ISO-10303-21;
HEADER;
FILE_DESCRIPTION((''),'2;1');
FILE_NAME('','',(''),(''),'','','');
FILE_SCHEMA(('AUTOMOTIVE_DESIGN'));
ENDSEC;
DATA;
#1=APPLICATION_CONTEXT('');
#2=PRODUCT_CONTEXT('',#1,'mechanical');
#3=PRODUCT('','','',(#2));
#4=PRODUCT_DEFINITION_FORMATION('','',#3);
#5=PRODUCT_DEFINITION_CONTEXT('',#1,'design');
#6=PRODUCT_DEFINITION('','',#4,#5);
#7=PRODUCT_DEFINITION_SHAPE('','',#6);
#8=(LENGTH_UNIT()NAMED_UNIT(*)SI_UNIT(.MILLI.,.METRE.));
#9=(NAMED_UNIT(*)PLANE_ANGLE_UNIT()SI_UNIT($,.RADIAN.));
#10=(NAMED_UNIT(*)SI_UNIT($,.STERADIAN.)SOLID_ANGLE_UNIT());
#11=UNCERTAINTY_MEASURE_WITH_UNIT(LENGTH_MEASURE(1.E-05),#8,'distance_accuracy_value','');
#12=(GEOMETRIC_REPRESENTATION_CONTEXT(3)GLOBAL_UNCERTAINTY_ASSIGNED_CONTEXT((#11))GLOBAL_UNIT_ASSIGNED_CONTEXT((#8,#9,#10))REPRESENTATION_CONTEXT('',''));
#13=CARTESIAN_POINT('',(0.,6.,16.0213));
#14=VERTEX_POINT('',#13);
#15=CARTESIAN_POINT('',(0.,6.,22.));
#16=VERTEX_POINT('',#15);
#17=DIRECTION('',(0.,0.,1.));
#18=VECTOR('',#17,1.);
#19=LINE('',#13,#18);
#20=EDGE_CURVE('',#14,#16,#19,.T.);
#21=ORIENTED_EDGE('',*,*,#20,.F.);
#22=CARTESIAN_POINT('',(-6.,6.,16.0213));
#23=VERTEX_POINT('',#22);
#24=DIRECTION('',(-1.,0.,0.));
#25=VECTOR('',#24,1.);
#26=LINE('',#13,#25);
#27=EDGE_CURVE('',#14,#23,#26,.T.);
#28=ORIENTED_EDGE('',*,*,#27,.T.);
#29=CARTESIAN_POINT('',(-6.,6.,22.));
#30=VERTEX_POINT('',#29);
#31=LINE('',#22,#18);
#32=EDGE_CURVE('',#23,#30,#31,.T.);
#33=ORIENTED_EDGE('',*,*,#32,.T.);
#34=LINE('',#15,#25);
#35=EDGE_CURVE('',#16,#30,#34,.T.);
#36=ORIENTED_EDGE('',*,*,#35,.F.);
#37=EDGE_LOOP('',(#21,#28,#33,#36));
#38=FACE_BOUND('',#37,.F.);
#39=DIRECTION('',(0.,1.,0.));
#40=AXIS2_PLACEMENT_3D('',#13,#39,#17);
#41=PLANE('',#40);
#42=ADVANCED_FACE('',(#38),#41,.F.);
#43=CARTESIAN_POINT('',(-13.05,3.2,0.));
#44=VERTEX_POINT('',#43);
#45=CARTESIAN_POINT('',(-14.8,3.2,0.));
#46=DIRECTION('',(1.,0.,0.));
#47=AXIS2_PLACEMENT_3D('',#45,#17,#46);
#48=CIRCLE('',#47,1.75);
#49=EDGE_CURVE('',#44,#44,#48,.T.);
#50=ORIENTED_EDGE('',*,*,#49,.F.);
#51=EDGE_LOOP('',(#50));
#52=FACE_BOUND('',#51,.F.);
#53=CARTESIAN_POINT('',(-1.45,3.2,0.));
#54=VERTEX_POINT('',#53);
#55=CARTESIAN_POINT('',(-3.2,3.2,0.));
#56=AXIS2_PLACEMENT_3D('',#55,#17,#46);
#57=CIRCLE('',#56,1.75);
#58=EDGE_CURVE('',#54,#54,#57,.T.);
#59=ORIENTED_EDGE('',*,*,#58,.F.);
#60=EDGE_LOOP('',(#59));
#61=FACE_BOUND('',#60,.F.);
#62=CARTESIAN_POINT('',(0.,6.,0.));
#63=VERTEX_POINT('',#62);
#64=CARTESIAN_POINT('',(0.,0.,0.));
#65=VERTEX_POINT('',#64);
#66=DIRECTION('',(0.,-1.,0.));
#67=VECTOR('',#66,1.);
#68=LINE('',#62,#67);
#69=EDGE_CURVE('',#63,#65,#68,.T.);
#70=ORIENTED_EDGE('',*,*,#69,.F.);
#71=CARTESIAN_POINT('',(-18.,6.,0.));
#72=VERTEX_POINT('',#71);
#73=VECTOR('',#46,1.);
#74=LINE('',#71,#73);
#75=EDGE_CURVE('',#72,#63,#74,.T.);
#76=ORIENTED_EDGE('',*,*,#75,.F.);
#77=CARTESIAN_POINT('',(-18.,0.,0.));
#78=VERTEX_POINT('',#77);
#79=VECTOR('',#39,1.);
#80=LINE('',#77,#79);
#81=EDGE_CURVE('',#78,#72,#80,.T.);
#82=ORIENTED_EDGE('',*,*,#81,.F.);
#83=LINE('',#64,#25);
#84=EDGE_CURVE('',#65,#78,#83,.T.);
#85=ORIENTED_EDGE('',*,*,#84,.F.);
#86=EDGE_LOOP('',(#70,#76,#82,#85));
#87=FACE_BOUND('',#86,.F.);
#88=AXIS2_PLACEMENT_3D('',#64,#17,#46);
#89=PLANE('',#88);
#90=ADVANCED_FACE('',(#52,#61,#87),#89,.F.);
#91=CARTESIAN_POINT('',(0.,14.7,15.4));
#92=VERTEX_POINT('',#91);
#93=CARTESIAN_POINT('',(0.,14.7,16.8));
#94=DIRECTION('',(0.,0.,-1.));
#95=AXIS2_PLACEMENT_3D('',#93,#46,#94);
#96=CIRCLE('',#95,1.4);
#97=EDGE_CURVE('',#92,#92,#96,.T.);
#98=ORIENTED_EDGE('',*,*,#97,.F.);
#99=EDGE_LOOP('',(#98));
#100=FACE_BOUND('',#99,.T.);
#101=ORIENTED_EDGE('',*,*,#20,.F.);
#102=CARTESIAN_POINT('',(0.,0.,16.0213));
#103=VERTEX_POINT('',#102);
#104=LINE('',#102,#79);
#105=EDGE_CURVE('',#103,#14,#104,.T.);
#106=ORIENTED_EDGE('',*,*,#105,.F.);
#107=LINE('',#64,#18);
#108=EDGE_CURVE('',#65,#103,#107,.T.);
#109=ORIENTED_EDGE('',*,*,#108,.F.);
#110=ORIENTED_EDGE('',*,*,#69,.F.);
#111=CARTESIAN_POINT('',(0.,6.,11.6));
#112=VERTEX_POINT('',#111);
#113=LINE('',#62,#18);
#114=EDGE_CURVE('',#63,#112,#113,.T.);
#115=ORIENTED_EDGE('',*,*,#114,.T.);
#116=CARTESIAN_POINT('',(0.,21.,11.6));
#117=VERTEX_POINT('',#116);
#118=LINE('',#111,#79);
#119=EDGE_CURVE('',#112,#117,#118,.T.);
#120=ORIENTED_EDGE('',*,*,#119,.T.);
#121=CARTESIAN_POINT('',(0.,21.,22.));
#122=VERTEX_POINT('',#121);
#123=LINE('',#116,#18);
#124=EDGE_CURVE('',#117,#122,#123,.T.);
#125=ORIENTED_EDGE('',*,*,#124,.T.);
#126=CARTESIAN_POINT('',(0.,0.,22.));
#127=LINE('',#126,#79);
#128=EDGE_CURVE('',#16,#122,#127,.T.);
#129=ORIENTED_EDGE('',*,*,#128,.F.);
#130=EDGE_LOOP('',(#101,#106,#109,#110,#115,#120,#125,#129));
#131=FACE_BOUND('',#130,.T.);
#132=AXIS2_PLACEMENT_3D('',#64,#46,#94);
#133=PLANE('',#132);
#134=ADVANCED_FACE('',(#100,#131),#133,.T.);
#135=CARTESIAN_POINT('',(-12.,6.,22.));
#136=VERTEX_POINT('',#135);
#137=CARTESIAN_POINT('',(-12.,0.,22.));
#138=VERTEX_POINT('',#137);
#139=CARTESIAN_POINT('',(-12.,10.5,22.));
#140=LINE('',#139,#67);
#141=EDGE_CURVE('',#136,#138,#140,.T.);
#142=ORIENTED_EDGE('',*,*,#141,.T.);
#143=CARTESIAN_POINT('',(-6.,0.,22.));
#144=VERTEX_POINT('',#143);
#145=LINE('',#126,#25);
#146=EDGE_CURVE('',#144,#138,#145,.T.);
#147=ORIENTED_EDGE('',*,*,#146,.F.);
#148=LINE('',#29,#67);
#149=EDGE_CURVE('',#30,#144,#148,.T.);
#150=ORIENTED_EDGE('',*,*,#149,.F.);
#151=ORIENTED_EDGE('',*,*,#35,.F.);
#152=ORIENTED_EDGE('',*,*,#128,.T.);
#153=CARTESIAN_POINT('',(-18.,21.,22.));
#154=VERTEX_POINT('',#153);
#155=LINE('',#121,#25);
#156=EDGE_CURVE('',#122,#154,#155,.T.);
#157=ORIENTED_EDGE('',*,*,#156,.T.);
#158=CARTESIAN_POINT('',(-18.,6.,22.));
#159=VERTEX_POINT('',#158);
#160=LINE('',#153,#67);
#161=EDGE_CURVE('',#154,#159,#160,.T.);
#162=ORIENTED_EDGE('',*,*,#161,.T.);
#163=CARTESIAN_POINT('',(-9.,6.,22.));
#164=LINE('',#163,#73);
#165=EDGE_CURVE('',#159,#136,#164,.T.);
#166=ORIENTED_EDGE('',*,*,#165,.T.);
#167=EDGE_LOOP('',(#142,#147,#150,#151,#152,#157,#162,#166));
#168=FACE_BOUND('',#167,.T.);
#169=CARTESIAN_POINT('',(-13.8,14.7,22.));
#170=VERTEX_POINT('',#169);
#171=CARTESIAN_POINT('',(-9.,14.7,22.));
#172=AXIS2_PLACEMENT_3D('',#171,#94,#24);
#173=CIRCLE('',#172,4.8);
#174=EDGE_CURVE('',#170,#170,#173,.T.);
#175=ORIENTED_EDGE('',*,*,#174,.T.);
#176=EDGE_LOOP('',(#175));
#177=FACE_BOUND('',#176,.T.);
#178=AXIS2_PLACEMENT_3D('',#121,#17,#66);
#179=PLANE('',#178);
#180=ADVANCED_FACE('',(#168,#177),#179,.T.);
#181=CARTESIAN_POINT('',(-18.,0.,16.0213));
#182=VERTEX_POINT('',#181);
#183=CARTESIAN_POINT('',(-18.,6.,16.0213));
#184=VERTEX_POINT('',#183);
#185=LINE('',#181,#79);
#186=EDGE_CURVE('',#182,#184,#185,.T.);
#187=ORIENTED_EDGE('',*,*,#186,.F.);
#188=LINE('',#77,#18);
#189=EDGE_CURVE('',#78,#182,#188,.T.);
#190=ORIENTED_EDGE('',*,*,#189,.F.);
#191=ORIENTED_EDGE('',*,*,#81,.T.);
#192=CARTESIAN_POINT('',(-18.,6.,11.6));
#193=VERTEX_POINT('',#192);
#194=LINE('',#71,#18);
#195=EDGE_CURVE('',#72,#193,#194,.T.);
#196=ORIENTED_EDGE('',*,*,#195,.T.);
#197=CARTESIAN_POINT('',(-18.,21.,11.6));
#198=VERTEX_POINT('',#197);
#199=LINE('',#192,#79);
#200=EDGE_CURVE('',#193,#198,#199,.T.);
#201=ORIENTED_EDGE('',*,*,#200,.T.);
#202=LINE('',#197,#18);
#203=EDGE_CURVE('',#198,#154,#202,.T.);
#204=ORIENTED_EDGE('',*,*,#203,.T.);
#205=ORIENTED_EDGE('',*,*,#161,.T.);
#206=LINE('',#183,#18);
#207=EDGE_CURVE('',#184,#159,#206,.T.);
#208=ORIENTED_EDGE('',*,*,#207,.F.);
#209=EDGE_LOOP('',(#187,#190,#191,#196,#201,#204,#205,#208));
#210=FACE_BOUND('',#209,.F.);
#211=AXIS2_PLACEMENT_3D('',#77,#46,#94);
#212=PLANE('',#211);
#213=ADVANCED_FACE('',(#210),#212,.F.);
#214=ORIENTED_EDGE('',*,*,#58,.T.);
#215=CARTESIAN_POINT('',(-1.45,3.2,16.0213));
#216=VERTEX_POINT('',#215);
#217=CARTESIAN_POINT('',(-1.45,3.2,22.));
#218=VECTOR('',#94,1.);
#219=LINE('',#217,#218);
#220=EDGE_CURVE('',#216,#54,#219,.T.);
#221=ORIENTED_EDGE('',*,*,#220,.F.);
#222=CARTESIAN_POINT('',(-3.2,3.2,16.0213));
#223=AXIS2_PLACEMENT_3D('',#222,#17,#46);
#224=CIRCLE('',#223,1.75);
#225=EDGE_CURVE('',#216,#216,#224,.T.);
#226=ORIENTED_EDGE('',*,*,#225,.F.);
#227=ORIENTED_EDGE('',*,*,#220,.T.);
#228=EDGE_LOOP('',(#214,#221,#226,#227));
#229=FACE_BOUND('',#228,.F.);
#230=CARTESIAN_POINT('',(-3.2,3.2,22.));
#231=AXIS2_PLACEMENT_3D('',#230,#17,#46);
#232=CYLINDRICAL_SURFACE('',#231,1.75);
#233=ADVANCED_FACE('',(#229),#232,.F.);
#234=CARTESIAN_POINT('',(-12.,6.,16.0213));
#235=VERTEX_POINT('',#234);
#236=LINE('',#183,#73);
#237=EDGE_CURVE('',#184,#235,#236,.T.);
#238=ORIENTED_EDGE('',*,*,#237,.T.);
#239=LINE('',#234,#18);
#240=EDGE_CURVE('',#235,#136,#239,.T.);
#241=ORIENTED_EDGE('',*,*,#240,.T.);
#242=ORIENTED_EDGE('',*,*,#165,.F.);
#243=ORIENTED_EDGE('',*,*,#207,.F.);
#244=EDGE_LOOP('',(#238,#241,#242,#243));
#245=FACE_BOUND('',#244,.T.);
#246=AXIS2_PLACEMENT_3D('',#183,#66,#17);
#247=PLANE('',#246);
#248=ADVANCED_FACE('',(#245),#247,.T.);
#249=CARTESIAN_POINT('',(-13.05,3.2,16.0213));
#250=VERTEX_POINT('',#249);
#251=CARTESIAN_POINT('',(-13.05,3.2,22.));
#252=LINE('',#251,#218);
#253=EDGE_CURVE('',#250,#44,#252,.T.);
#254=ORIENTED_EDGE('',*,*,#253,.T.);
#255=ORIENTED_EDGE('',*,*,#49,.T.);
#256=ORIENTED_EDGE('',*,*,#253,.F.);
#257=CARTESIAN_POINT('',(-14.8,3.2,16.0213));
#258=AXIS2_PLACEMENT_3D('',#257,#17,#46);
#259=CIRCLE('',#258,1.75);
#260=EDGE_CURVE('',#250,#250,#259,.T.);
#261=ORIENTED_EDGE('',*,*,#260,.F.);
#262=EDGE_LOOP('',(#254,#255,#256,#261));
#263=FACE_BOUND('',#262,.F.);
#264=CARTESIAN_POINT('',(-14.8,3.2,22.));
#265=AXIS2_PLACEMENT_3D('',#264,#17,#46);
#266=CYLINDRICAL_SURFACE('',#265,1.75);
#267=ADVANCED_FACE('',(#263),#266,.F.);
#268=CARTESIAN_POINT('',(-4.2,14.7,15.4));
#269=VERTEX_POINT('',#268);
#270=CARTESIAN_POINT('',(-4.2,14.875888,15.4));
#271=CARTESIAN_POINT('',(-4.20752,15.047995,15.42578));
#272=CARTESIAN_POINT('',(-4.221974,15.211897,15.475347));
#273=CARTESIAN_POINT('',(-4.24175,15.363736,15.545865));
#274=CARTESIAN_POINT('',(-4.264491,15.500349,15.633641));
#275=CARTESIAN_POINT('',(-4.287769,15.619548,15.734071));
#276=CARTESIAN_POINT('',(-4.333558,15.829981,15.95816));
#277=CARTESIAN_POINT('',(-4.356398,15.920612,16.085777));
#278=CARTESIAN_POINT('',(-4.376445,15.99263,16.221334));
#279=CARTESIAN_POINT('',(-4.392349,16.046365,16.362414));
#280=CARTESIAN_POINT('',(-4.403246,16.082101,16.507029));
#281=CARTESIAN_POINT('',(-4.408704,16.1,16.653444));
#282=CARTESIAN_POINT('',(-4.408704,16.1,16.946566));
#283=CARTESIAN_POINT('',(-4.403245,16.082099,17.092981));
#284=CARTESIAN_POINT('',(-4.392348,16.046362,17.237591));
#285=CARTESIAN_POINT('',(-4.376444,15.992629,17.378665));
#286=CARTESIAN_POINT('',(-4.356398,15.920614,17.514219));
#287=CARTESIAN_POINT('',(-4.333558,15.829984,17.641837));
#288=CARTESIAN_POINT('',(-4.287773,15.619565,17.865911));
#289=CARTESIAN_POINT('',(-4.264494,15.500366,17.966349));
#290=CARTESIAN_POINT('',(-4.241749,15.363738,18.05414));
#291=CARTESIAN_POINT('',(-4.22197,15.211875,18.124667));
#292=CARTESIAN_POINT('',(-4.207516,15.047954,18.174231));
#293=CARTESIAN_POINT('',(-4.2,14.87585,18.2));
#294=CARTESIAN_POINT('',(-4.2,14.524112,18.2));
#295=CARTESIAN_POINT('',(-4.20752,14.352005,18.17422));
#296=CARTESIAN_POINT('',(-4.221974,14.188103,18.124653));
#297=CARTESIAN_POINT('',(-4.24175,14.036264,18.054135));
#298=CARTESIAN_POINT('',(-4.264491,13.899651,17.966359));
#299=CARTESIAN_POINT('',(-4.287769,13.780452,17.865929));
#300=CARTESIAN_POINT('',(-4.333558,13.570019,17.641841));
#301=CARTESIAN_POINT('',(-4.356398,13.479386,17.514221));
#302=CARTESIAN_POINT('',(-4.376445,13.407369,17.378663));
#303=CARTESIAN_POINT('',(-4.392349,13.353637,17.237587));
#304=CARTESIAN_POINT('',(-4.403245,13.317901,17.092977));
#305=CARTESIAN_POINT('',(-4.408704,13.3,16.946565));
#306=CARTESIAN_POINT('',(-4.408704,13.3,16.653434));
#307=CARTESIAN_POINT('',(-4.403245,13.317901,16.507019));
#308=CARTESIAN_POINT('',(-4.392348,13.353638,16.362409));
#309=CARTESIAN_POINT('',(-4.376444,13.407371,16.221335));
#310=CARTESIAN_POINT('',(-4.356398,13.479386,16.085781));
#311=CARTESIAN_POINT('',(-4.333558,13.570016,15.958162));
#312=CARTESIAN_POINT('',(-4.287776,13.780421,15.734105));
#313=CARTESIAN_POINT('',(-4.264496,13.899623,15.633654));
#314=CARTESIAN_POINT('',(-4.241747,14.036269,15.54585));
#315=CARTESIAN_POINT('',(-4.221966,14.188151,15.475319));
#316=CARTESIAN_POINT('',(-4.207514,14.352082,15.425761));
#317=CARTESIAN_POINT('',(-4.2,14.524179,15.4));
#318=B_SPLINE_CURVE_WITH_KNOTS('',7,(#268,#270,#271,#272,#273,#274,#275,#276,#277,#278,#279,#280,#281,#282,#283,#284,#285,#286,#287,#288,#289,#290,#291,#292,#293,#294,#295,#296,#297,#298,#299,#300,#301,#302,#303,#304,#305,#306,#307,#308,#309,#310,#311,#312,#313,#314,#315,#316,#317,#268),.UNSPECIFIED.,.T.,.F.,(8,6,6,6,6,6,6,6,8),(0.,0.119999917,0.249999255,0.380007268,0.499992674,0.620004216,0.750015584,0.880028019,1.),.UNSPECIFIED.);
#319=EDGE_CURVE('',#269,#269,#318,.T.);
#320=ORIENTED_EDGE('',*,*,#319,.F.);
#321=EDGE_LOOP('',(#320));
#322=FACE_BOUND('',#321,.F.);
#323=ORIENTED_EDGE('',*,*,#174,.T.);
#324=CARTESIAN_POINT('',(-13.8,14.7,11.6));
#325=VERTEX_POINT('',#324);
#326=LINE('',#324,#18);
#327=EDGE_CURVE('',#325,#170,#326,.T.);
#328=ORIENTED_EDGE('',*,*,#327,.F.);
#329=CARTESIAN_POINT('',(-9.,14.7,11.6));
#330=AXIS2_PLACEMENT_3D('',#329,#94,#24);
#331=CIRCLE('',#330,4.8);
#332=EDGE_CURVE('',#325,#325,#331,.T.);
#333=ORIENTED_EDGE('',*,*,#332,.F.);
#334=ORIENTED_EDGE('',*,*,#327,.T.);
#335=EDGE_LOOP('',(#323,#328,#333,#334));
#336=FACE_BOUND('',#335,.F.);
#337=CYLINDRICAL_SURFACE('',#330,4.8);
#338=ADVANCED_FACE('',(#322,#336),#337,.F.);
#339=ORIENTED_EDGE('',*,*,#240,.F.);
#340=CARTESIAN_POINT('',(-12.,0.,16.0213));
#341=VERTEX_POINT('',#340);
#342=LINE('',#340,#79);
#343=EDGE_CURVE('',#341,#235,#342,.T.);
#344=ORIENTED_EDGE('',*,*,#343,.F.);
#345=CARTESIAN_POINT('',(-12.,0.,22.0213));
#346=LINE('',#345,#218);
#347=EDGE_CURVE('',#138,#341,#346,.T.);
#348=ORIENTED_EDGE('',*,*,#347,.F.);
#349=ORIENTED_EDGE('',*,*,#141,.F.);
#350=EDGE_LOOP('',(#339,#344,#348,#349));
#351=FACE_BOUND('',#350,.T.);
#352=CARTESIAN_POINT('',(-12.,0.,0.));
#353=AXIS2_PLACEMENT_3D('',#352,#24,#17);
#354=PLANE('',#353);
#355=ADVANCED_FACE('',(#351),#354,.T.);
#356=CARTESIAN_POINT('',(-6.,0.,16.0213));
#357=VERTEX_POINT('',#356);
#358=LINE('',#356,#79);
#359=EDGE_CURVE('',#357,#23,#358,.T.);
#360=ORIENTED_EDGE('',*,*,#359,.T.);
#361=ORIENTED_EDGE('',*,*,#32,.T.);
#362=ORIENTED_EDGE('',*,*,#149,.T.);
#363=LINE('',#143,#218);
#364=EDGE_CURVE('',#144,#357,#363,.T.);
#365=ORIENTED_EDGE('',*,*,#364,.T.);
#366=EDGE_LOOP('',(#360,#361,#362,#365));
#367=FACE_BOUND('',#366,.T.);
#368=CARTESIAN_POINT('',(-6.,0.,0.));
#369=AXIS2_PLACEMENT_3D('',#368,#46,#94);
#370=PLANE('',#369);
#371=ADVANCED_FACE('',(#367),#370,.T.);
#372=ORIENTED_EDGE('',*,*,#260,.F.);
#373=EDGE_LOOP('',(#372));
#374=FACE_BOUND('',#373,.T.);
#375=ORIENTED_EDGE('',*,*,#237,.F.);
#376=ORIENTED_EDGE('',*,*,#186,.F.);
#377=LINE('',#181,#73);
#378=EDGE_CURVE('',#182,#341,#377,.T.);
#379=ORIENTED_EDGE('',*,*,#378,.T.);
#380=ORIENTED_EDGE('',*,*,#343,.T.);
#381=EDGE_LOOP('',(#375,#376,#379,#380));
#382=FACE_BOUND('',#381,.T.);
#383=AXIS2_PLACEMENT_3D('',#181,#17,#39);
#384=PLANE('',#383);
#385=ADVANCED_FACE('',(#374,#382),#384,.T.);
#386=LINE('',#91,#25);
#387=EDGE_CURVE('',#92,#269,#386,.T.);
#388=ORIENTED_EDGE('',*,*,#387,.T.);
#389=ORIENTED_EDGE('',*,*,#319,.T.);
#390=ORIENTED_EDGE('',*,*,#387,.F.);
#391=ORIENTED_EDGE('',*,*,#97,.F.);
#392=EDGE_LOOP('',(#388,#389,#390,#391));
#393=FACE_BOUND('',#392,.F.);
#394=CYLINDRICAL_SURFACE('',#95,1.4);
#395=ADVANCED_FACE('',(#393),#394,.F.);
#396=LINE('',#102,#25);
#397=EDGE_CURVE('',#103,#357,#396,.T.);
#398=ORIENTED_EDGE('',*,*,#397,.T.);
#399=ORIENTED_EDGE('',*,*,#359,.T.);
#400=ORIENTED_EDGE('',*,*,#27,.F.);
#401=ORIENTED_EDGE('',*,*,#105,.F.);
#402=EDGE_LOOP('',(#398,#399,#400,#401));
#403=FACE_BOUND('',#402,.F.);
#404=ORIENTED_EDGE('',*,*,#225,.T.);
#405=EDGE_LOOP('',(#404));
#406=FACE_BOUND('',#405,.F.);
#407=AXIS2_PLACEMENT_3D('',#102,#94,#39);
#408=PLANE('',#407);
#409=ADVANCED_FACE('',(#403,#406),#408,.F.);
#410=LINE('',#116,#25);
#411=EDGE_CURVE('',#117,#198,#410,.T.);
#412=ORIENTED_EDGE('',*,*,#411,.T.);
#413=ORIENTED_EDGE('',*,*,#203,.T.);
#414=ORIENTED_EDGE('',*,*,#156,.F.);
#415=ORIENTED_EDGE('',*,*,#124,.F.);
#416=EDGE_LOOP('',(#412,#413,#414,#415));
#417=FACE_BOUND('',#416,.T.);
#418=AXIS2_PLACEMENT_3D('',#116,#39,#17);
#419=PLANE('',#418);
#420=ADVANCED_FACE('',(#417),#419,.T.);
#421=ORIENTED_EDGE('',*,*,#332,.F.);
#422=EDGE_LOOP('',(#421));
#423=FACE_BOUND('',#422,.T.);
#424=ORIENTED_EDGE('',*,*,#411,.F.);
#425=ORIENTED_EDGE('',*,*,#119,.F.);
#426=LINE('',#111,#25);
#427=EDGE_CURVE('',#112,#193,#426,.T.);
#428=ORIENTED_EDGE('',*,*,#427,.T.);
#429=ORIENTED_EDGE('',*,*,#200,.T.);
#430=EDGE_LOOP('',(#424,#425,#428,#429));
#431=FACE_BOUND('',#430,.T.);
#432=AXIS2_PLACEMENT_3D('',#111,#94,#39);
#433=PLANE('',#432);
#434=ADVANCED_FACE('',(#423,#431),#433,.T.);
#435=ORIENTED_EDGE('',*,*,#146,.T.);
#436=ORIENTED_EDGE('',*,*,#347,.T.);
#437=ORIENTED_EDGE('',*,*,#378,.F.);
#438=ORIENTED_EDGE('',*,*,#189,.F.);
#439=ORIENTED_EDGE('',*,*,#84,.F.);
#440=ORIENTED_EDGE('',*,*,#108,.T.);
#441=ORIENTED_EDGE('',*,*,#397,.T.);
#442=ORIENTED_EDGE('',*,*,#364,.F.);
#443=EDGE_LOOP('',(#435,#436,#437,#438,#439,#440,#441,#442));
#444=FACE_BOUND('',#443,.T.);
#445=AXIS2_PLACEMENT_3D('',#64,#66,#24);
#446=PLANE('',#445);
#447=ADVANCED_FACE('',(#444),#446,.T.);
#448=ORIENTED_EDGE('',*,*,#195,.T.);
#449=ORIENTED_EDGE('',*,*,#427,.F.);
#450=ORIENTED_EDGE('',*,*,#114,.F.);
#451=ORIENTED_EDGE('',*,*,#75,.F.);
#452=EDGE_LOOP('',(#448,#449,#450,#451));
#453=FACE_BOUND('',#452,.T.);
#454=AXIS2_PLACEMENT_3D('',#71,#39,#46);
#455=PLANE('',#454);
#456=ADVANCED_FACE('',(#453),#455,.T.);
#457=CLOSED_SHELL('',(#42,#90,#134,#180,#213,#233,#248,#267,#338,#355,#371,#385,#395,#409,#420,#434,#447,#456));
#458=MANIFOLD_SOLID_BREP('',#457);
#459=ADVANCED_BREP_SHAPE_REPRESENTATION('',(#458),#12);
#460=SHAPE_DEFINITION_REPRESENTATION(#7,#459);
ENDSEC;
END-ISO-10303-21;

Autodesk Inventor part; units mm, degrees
ref_plane "YZ Plane" through (0, 0, 0) normal (1, 0, 0) x (0, 1, 0)
ref_plane "XZ Plane" through (0, 0, 0) normal (0, 1, 0) x (-1, 0, 0)
ref_plane "XY Plane" through (0, 0, 0) normal (0, 0, 1) x (1, 0, 0)
sketch "Sketch1" plane through (0, 0, 0) normal (0, 0, 1) x (1, 0, 0)
  line L0 (0, 0) -> (-18, 0)
  line L1 (-18, 0) -> (-18, 6)
  line L2 (-18, 6) -> (0, 6)
  line L3 (0, 6) -> (0, 0)
  dimension "d0" = 18
  dimension "d1" = 6
extrude "Extrusion1" add sketch "Sketch1" along normal blind 22
sketch "Sketch2" plane through (0, 0, 22) normal (0, 0, 1) x (1, 0, 0)
  line L0 (-18, 0) -> (0, 0) projected
  line L1 (0, 0) -> (0, 6) projected
  line L2 (0, 6) -> (-18, 6) projected
  line L3 (-18, 6) -> (-18, 0) projected
  circle A0 centre (-14.8, 3.2) radius 1.75
  circle A1 centre (-3.2, 3.2) radius 1.75
  dimension "d4" = 3.5
  dimension "d5" = 3.5
  dimension "d6" = 2.8
  dimension "d7" = 2.8
  dimension "d8" = 3.2
  dimension "d9" = 3.2
extrude "Extrusion2" cut sketch "Sketch2" against normal through all contours A0 | A1
sketch "Sketch3" plane through (0, 0, 0) normal (1, 0, 0) x (0, 0, -1)
  line L0 (0, 6) -> (0, 0) projected
  line L1 (0, 6) -> (-22, 6) projected
  line L2 (-22, 0) -> (-22, 6) projected
  line L3 (0, 0) -> (-22, 0) projected
  line L4 (0, 6) -> (-22, 6) projected
  line L5 (-22, 6) -> (-11.6, 6)
  line L6 (-11.6, 6) -> (-11.6, 21)
  line L7 (-11.6, 21) -> (-22, 21)
  line L8 (-22, 21) -> (-22, 6)
  dimension "d12" = 10.4
  dimension "d13" = 15
extrude "Extrusion3" add sketch "Sketch3" against normal up to surface (18 mm away) contours L1 L8 L7 L6
sketch "Sketch4" plane through (0, 6, 11.6) normal (0, 0, -1) x (-1, 0, 0)
  line L0 (18, 0) -> (18, 15) projected
  line L1 (0, 15) -> (18, 15) projected
  line L2 (0, 15) -> (0, 0) projected
  line L3 (18, 0) -> (0, 0) projected
  circle A0 centre (9, 8.7) radius 4.8
  point P0 (0, -6)
  dimension "d16" = 9.6
  dimension "d17" = 6.3
extrude "Extrusion4" cut sketch "Sketch4" against normal through all contours A0
sketch "Sketch5" plane through (-18, 0, 0) normal (-1, 0, 0) x (0, 0, 1)
  line L0 (22.0213, 0) -> (16.0213, 0)
  line L1 (16.0213, 0) -> (16.0213, 6)
  line L2 (16.0213, 6) -> (22.0213, 6)
  line L3 (22.0213, 6) -> (22.0213, 0)
  point P0 (0, 0)
  dimension "d20" = 6
  dimension "d21" = 6
extrude "Extrusion5" cut sketch "Sketch5" against normal blind 6
sketch "Sketch6" plane through (0, 0, 0) normal (1, 0, 0) x (0, 0, -1)
  line L0 (-22, 6) -> (-22, 0) projected
  line L1 (-16.0213, 6) -> (-22, 6) projected
  line L2 (-16.0213, 0) -> (-16.0213, 6) projected
  line L3 (-22, 0) -> (-16.0213, 0) projected
  point P0 (0, 0)
extrude "Extrusion6" cut sketch "Sketch6" against normal blind 6
sketch "Sketch7" plane through (0, 0, 0) normal (1, 0, 0) x (0, 0, -1)
  line L0 (-6.6, 12.2) -> (-11.6, 12.2)
  line L1 (-6.6, 17.2) -> (-11.6, 17.2)
  line L2 (-11.6, 21) -> (-11.6, 6) projected
  line L3 (-22, 6) -> (-22, 21) projected
  circle A0 centre (-16.8, 14.7) radius 1.4
  point P0 (0, 0)
  dimension "d26" = 2.8
  dimension "d27" = 5.2
  dimension "d28" = 2.5
extrude "Extrusion7" cut sketch "Sketch7" against normal blind 6
properties part number "00_micrometer_moun_xystage_china"
